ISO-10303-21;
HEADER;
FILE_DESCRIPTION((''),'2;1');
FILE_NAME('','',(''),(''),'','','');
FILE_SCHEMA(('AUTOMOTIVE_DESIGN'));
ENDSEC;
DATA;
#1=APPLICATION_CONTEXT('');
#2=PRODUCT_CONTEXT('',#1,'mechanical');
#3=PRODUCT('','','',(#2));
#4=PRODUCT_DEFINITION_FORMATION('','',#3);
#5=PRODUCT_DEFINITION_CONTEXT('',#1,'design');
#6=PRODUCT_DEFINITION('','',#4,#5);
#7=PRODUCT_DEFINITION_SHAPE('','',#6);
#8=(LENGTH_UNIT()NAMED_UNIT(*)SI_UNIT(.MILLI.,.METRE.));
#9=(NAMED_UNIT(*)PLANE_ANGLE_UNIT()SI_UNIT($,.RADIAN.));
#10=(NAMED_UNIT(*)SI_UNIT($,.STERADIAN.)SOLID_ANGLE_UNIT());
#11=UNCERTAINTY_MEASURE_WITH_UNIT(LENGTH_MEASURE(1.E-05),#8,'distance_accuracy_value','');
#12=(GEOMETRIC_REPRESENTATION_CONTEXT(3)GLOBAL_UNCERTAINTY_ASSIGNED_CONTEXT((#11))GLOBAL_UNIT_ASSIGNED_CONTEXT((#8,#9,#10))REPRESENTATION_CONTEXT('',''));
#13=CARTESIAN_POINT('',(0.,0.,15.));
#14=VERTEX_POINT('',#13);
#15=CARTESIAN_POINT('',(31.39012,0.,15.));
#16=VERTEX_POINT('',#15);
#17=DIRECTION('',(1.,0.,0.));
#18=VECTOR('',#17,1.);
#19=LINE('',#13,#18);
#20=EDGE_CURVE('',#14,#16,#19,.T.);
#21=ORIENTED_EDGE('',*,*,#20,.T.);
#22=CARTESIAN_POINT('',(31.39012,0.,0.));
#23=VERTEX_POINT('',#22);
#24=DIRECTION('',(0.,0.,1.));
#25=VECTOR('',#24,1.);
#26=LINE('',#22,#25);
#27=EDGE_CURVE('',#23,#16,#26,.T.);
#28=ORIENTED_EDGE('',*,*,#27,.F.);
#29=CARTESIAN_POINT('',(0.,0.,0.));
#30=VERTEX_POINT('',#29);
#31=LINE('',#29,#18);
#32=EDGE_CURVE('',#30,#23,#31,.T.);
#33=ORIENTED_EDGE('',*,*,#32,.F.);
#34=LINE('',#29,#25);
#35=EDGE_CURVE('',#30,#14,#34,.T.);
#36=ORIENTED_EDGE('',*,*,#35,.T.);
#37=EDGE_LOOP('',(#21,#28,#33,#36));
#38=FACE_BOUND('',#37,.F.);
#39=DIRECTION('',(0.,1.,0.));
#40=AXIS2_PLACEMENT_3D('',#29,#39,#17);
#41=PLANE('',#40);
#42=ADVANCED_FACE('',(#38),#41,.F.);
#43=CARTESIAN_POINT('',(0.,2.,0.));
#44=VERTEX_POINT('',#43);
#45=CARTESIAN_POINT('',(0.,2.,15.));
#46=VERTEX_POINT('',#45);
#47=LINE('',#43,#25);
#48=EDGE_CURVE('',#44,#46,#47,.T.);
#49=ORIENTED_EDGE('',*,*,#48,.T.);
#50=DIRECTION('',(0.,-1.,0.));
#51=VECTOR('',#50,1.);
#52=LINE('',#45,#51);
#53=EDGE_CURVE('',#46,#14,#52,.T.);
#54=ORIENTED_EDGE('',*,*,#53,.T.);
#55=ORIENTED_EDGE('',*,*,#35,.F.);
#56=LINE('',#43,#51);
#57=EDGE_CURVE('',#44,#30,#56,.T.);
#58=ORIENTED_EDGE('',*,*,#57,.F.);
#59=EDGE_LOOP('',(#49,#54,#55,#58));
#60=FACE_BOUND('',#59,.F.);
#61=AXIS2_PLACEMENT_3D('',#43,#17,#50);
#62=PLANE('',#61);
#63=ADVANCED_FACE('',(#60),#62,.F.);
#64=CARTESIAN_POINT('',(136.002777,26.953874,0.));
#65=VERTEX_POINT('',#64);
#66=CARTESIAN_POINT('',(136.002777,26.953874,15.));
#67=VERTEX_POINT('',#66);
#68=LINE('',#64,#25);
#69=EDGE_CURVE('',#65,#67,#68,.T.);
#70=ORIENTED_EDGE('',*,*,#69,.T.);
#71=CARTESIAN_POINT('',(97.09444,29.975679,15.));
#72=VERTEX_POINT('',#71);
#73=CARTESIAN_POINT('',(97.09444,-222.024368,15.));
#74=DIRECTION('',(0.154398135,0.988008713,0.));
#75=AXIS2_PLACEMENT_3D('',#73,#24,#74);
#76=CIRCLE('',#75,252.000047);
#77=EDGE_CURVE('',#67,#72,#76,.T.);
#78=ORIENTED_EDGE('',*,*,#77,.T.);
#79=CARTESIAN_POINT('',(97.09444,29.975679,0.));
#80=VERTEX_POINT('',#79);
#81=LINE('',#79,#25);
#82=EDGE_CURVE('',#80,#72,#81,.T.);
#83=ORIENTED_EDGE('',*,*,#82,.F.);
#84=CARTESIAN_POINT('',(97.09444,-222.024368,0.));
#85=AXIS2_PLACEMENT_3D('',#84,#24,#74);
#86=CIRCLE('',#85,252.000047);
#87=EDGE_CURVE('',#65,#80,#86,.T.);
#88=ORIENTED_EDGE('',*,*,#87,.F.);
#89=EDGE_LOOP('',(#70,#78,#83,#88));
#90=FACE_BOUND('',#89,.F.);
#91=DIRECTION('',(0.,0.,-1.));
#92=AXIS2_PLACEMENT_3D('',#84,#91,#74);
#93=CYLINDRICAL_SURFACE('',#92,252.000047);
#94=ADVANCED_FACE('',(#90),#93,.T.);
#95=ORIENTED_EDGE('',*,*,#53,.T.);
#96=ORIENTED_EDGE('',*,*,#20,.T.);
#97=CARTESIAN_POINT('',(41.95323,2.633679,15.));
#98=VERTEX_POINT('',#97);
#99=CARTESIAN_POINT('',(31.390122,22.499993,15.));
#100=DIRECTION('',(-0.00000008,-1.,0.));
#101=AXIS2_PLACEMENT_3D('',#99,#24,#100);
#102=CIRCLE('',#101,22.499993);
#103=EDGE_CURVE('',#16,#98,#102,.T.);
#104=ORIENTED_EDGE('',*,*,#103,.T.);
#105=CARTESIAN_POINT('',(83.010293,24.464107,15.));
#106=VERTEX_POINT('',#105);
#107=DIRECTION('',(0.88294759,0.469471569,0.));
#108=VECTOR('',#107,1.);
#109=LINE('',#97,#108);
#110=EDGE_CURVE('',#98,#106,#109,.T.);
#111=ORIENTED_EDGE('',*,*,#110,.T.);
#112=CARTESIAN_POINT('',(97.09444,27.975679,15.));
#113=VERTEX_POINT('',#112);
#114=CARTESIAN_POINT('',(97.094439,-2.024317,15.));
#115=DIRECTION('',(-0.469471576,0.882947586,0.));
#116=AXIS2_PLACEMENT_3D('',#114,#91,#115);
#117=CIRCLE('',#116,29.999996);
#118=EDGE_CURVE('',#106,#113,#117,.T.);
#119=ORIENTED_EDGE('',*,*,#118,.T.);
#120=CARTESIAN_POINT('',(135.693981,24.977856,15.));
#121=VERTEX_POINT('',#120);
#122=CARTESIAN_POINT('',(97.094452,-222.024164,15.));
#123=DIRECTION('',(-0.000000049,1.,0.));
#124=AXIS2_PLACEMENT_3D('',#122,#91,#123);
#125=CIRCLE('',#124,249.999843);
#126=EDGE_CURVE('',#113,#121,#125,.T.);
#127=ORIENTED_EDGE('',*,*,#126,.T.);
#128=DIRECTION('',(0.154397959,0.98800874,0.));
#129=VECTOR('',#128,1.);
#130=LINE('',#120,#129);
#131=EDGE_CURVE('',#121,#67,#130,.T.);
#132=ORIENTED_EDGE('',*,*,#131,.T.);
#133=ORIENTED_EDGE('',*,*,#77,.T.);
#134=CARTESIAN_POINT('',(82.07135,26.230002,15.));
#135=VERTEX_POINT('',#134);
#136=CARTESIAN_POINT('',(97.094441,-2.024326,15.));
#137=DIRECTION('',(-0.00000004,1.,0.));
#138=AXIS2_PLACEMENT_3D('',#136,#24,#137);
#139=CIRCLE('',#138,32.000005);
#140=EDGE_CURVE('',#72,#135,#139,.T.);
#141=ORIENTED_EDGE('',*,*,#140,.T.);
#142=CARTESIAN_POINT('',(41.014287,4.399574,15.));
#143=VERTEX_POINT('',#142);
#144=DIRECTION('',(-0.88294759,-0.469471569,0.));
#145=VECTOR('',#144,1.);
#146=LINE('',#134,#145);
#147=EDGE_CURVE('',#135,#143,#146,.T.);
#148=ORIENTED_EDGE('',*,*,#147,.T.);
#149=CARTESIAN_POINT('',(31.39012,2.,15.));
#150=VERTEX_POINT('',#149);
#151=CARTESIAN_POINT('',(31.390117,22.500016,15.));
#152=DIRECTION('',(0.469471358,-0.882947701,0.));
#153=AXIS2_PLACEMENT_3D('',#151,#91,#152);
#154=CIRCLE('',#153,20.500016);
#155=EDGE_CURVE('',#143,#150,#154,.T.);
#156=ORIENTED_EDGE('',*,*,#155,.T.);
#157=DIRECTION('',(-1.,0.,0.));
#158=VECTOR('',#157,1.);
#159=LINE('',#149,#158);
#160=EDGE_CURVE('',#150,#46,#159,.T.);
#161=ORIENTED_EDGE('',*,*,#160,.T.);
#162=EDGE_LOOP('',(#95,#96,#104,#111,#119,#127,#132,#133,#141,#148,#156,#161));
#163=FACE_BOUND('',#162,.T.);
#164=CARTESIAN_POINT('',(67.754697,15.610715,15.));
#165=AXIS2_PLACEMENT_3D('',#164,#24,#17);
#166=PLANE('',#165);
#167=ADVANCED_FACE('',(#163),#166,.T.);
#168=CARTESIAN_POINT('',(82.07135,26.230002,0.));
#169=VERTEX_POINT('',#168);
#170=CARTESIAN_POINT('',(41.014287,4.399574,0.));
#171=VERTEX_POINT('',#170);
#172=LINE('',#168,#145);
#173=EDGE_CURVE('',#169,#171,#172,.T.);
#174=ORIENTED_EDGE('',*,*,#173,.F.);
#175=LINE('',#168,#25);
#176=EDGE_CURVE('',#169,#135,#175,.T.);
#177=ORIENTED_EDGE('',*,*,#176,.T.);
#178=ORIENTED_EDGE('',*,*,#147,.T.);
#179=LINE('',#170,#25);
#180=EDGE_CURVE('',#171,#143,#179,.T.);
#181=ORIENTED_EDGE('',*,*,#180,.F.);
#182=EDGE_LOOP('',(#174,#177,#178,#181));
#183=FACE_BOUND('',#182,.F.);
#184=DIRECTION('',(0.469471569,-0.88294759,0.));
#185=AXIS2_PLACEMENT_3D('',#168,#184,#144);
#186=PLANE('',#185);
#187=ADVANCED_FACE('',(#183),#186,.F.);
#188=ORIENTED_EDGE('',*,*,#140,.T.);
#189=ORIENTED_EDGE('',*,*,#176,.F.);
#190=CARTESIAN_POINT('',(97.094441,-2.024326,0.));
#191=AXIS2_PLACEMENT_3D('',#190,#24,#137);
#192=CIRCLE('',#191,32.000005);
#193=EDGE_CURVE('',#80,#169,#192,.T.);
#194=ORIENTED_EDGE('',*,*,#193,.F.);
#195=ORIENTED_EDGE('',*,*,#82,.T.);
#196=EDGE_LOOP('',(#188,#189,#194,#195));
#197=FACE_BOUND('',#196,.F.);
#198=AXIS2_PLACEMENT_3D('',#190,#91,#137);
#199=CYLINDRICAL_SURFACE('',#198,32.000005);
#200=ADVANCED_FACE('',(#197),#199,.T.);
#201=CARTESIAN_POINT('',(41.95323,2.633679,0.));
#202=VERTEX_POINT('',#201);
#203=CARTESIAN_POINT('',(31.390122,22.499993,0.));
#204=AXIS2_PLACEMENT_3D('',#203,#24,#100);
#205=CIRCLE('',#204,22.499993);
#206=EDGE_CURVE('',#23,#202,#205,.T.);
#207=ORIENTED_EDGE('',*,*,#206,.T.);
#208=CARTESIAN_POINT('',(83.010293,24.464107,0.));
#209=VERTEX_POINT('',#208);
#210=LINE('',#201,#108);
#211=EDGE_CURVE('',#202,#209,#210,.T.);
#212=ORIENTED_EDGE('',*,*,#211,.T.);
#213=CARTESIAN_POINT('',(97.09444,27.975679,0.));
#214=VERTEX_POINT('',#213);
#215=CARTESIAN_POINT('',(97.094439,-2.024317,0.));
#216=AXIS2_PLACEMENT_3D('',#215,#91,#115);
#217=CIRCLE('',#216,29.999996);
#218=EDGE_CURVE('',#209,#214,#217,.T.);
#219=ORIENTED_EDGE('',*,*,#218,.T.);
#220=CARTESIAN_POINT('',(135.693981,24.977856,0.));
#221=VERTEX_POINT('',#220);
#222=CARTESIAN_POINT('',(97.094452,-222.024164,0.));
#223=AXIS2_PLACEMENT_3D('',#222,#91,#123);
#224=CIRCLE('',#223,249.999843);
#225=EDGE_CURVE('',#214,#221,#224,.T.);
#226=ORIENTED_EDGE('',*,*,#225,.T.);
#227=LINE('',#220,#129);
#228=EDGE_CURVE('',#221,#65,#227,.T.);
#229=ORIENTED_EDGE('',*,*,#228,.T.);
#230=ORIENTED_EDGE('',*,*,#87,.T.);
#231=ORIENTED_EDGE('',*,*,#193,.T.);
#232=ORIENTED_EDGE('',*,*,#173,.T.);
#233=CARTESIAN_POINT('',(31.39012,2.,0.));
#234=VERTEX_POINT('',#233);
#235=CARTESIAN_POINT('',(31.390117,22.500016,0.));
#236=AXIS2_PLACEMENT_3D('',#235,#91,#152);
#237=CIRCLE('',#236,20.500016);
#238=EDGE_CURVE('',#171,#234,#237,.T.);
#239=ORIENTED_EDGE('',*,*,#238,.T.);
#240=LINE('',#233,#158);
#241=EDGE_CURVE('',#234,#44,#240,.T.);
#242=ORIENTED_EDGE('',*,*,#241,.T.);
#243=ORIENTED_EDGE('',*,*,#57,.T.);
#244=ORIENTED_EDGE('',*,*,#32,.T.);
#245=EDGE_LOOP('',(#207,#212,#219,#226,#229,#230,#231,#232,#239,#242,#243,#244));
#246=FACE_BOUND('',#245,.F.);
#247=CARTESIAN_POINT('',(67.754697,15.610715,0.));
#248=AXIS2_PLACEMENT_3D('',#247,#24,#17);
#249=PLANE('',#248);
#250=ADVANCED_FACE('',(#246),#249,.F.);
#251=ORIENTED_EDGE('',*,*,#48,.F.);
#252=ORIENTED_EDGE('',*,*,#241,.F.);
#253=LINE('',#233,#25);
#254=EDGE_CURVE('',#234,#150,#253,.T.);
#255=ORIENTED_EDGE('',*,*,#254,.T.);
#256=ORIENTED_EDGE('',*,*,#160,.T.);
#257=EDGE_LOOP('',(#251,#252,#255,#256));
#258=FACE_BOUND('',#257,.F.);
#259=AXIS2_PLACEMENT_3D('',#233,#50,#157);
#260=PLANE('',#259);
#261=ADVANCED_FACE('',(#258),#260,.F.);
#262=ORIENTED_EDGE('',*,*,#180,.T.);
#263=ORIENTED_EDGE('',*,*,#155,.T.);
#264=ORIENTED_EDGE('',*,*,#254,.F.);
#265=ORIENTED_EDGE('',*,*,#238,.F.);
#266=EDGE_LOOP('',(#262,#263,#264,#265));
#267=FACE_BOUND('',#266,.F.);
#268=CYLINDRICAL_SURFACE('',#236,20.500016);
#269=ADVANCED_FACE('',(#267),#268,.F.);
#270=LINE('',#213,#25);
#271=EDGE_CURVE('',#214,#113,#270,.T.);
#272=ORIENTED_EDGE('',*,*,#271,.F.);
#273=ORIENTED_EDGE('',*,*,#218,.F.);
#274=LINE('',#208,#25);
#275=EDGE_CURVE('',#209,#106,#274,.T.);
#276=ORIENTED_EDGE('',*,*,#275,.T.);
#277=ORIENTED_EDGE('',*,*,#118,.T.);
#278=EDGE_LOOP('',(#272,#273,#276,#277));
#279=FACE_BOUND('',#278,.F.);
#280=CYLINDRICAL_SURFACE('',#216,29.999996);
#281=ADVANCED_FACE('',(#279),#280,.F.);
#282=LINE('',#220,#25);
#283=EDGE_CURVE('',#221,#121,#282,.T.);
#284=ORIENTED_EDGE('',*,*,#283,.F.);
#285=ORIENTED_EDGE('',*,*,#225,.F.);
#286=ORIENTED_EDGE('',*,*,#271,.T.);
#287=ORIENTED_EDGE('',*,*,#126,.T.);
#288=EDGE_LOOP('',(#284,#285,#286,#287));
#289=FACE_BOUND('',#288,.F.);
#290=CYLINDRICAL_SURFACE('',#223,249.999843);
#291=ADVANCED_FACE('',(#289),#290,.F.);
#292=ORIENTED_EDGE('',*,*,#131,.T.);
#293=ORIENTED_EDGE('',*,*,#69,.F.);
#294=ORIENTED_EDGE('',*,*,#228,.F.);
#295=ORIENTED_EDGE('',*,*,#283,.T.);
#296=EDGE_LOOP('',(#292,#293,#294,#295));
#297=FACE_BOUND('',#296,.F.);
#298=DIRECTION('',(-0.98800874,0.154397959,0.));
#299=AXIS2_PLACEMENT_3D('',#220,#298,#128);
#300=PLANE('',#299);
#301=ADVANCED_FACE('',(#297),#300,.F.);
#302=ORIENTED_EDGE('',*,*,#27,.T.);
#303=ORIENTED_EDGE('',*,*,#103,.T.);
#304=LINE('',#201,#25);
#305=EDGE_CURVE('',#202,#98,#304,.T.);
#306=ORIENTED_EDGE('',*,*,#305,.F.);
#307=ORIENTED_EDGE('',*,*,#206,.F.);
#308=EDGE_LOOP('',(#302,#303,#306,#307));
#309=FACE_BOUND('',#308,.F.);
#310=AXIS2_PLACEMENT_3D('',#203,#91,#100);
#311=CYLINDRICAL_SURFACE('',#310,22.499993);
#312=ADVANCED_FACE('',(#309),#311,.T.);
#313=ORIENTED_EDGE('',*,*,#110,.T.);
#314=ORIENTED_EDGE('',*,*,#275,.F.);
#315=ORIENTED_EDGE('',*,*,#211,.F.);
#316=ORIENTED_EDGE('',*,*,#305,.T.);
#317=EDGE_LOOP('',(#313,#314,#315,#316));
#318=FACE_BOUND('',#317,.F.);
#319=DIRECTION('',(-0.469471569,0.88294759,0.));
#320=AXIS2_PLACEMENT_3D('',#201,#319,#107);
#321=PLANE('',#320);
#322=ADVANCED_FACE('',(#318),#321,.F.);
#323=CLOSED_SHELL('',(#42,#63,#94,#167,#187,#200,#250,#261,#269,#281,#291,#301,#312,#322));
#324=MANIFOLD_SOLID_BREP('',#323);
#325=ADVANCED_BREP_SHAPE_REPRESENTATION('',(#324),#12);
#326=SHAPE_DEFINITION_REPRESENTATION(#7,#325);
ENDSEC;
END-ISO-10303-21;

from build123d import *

# Parameters (mm, degrees)
F1_DEPTH = 15


with BuildPart() as f1:
    # F0 (on Top) → F1 (new body)
    with BuildSketch(Plane.XY):
        with BuildLine():
            Line((0, 2), (0, 0))
            Line((0, 0), (31.39012, 0))
            ThreePointArc((31.39012, 0), (36.833363, 0.668346), (41.95323, 2.633679))
            Line((41.95323, 2.633679), (83.010293, 24.464107))
            ThreePointArc((83.010293, 24.464107), (89.836783, 27.084551), (97.09444, 27.975679))
            ThreePointArc((97.09444, 27.975679), (116.452329, 27.225097), (135.693981, 24.977856))
            Line((135.693981, 24.977856), (136.002777, 26.953874))
            ThreePointArc((136.002777, 26.953874), (116.607192, 29.219092), (97.09444, 29.975679))
            ThreePointArc((97.09444, 29.975679), (89.352939, 29.025142), (82.07135, 26.230002))
            Line((82.07135, 26.230002), (41.014287, 4.399574))
            ThreePointArc((41.014287, 4.399574), (36.349519, 2.608938), (31.39012, 2))
            Line((31.39012, 2), (0, 2))
        make_face()
    extrude(amount=F1_DEPTH)


solid = f1.part
